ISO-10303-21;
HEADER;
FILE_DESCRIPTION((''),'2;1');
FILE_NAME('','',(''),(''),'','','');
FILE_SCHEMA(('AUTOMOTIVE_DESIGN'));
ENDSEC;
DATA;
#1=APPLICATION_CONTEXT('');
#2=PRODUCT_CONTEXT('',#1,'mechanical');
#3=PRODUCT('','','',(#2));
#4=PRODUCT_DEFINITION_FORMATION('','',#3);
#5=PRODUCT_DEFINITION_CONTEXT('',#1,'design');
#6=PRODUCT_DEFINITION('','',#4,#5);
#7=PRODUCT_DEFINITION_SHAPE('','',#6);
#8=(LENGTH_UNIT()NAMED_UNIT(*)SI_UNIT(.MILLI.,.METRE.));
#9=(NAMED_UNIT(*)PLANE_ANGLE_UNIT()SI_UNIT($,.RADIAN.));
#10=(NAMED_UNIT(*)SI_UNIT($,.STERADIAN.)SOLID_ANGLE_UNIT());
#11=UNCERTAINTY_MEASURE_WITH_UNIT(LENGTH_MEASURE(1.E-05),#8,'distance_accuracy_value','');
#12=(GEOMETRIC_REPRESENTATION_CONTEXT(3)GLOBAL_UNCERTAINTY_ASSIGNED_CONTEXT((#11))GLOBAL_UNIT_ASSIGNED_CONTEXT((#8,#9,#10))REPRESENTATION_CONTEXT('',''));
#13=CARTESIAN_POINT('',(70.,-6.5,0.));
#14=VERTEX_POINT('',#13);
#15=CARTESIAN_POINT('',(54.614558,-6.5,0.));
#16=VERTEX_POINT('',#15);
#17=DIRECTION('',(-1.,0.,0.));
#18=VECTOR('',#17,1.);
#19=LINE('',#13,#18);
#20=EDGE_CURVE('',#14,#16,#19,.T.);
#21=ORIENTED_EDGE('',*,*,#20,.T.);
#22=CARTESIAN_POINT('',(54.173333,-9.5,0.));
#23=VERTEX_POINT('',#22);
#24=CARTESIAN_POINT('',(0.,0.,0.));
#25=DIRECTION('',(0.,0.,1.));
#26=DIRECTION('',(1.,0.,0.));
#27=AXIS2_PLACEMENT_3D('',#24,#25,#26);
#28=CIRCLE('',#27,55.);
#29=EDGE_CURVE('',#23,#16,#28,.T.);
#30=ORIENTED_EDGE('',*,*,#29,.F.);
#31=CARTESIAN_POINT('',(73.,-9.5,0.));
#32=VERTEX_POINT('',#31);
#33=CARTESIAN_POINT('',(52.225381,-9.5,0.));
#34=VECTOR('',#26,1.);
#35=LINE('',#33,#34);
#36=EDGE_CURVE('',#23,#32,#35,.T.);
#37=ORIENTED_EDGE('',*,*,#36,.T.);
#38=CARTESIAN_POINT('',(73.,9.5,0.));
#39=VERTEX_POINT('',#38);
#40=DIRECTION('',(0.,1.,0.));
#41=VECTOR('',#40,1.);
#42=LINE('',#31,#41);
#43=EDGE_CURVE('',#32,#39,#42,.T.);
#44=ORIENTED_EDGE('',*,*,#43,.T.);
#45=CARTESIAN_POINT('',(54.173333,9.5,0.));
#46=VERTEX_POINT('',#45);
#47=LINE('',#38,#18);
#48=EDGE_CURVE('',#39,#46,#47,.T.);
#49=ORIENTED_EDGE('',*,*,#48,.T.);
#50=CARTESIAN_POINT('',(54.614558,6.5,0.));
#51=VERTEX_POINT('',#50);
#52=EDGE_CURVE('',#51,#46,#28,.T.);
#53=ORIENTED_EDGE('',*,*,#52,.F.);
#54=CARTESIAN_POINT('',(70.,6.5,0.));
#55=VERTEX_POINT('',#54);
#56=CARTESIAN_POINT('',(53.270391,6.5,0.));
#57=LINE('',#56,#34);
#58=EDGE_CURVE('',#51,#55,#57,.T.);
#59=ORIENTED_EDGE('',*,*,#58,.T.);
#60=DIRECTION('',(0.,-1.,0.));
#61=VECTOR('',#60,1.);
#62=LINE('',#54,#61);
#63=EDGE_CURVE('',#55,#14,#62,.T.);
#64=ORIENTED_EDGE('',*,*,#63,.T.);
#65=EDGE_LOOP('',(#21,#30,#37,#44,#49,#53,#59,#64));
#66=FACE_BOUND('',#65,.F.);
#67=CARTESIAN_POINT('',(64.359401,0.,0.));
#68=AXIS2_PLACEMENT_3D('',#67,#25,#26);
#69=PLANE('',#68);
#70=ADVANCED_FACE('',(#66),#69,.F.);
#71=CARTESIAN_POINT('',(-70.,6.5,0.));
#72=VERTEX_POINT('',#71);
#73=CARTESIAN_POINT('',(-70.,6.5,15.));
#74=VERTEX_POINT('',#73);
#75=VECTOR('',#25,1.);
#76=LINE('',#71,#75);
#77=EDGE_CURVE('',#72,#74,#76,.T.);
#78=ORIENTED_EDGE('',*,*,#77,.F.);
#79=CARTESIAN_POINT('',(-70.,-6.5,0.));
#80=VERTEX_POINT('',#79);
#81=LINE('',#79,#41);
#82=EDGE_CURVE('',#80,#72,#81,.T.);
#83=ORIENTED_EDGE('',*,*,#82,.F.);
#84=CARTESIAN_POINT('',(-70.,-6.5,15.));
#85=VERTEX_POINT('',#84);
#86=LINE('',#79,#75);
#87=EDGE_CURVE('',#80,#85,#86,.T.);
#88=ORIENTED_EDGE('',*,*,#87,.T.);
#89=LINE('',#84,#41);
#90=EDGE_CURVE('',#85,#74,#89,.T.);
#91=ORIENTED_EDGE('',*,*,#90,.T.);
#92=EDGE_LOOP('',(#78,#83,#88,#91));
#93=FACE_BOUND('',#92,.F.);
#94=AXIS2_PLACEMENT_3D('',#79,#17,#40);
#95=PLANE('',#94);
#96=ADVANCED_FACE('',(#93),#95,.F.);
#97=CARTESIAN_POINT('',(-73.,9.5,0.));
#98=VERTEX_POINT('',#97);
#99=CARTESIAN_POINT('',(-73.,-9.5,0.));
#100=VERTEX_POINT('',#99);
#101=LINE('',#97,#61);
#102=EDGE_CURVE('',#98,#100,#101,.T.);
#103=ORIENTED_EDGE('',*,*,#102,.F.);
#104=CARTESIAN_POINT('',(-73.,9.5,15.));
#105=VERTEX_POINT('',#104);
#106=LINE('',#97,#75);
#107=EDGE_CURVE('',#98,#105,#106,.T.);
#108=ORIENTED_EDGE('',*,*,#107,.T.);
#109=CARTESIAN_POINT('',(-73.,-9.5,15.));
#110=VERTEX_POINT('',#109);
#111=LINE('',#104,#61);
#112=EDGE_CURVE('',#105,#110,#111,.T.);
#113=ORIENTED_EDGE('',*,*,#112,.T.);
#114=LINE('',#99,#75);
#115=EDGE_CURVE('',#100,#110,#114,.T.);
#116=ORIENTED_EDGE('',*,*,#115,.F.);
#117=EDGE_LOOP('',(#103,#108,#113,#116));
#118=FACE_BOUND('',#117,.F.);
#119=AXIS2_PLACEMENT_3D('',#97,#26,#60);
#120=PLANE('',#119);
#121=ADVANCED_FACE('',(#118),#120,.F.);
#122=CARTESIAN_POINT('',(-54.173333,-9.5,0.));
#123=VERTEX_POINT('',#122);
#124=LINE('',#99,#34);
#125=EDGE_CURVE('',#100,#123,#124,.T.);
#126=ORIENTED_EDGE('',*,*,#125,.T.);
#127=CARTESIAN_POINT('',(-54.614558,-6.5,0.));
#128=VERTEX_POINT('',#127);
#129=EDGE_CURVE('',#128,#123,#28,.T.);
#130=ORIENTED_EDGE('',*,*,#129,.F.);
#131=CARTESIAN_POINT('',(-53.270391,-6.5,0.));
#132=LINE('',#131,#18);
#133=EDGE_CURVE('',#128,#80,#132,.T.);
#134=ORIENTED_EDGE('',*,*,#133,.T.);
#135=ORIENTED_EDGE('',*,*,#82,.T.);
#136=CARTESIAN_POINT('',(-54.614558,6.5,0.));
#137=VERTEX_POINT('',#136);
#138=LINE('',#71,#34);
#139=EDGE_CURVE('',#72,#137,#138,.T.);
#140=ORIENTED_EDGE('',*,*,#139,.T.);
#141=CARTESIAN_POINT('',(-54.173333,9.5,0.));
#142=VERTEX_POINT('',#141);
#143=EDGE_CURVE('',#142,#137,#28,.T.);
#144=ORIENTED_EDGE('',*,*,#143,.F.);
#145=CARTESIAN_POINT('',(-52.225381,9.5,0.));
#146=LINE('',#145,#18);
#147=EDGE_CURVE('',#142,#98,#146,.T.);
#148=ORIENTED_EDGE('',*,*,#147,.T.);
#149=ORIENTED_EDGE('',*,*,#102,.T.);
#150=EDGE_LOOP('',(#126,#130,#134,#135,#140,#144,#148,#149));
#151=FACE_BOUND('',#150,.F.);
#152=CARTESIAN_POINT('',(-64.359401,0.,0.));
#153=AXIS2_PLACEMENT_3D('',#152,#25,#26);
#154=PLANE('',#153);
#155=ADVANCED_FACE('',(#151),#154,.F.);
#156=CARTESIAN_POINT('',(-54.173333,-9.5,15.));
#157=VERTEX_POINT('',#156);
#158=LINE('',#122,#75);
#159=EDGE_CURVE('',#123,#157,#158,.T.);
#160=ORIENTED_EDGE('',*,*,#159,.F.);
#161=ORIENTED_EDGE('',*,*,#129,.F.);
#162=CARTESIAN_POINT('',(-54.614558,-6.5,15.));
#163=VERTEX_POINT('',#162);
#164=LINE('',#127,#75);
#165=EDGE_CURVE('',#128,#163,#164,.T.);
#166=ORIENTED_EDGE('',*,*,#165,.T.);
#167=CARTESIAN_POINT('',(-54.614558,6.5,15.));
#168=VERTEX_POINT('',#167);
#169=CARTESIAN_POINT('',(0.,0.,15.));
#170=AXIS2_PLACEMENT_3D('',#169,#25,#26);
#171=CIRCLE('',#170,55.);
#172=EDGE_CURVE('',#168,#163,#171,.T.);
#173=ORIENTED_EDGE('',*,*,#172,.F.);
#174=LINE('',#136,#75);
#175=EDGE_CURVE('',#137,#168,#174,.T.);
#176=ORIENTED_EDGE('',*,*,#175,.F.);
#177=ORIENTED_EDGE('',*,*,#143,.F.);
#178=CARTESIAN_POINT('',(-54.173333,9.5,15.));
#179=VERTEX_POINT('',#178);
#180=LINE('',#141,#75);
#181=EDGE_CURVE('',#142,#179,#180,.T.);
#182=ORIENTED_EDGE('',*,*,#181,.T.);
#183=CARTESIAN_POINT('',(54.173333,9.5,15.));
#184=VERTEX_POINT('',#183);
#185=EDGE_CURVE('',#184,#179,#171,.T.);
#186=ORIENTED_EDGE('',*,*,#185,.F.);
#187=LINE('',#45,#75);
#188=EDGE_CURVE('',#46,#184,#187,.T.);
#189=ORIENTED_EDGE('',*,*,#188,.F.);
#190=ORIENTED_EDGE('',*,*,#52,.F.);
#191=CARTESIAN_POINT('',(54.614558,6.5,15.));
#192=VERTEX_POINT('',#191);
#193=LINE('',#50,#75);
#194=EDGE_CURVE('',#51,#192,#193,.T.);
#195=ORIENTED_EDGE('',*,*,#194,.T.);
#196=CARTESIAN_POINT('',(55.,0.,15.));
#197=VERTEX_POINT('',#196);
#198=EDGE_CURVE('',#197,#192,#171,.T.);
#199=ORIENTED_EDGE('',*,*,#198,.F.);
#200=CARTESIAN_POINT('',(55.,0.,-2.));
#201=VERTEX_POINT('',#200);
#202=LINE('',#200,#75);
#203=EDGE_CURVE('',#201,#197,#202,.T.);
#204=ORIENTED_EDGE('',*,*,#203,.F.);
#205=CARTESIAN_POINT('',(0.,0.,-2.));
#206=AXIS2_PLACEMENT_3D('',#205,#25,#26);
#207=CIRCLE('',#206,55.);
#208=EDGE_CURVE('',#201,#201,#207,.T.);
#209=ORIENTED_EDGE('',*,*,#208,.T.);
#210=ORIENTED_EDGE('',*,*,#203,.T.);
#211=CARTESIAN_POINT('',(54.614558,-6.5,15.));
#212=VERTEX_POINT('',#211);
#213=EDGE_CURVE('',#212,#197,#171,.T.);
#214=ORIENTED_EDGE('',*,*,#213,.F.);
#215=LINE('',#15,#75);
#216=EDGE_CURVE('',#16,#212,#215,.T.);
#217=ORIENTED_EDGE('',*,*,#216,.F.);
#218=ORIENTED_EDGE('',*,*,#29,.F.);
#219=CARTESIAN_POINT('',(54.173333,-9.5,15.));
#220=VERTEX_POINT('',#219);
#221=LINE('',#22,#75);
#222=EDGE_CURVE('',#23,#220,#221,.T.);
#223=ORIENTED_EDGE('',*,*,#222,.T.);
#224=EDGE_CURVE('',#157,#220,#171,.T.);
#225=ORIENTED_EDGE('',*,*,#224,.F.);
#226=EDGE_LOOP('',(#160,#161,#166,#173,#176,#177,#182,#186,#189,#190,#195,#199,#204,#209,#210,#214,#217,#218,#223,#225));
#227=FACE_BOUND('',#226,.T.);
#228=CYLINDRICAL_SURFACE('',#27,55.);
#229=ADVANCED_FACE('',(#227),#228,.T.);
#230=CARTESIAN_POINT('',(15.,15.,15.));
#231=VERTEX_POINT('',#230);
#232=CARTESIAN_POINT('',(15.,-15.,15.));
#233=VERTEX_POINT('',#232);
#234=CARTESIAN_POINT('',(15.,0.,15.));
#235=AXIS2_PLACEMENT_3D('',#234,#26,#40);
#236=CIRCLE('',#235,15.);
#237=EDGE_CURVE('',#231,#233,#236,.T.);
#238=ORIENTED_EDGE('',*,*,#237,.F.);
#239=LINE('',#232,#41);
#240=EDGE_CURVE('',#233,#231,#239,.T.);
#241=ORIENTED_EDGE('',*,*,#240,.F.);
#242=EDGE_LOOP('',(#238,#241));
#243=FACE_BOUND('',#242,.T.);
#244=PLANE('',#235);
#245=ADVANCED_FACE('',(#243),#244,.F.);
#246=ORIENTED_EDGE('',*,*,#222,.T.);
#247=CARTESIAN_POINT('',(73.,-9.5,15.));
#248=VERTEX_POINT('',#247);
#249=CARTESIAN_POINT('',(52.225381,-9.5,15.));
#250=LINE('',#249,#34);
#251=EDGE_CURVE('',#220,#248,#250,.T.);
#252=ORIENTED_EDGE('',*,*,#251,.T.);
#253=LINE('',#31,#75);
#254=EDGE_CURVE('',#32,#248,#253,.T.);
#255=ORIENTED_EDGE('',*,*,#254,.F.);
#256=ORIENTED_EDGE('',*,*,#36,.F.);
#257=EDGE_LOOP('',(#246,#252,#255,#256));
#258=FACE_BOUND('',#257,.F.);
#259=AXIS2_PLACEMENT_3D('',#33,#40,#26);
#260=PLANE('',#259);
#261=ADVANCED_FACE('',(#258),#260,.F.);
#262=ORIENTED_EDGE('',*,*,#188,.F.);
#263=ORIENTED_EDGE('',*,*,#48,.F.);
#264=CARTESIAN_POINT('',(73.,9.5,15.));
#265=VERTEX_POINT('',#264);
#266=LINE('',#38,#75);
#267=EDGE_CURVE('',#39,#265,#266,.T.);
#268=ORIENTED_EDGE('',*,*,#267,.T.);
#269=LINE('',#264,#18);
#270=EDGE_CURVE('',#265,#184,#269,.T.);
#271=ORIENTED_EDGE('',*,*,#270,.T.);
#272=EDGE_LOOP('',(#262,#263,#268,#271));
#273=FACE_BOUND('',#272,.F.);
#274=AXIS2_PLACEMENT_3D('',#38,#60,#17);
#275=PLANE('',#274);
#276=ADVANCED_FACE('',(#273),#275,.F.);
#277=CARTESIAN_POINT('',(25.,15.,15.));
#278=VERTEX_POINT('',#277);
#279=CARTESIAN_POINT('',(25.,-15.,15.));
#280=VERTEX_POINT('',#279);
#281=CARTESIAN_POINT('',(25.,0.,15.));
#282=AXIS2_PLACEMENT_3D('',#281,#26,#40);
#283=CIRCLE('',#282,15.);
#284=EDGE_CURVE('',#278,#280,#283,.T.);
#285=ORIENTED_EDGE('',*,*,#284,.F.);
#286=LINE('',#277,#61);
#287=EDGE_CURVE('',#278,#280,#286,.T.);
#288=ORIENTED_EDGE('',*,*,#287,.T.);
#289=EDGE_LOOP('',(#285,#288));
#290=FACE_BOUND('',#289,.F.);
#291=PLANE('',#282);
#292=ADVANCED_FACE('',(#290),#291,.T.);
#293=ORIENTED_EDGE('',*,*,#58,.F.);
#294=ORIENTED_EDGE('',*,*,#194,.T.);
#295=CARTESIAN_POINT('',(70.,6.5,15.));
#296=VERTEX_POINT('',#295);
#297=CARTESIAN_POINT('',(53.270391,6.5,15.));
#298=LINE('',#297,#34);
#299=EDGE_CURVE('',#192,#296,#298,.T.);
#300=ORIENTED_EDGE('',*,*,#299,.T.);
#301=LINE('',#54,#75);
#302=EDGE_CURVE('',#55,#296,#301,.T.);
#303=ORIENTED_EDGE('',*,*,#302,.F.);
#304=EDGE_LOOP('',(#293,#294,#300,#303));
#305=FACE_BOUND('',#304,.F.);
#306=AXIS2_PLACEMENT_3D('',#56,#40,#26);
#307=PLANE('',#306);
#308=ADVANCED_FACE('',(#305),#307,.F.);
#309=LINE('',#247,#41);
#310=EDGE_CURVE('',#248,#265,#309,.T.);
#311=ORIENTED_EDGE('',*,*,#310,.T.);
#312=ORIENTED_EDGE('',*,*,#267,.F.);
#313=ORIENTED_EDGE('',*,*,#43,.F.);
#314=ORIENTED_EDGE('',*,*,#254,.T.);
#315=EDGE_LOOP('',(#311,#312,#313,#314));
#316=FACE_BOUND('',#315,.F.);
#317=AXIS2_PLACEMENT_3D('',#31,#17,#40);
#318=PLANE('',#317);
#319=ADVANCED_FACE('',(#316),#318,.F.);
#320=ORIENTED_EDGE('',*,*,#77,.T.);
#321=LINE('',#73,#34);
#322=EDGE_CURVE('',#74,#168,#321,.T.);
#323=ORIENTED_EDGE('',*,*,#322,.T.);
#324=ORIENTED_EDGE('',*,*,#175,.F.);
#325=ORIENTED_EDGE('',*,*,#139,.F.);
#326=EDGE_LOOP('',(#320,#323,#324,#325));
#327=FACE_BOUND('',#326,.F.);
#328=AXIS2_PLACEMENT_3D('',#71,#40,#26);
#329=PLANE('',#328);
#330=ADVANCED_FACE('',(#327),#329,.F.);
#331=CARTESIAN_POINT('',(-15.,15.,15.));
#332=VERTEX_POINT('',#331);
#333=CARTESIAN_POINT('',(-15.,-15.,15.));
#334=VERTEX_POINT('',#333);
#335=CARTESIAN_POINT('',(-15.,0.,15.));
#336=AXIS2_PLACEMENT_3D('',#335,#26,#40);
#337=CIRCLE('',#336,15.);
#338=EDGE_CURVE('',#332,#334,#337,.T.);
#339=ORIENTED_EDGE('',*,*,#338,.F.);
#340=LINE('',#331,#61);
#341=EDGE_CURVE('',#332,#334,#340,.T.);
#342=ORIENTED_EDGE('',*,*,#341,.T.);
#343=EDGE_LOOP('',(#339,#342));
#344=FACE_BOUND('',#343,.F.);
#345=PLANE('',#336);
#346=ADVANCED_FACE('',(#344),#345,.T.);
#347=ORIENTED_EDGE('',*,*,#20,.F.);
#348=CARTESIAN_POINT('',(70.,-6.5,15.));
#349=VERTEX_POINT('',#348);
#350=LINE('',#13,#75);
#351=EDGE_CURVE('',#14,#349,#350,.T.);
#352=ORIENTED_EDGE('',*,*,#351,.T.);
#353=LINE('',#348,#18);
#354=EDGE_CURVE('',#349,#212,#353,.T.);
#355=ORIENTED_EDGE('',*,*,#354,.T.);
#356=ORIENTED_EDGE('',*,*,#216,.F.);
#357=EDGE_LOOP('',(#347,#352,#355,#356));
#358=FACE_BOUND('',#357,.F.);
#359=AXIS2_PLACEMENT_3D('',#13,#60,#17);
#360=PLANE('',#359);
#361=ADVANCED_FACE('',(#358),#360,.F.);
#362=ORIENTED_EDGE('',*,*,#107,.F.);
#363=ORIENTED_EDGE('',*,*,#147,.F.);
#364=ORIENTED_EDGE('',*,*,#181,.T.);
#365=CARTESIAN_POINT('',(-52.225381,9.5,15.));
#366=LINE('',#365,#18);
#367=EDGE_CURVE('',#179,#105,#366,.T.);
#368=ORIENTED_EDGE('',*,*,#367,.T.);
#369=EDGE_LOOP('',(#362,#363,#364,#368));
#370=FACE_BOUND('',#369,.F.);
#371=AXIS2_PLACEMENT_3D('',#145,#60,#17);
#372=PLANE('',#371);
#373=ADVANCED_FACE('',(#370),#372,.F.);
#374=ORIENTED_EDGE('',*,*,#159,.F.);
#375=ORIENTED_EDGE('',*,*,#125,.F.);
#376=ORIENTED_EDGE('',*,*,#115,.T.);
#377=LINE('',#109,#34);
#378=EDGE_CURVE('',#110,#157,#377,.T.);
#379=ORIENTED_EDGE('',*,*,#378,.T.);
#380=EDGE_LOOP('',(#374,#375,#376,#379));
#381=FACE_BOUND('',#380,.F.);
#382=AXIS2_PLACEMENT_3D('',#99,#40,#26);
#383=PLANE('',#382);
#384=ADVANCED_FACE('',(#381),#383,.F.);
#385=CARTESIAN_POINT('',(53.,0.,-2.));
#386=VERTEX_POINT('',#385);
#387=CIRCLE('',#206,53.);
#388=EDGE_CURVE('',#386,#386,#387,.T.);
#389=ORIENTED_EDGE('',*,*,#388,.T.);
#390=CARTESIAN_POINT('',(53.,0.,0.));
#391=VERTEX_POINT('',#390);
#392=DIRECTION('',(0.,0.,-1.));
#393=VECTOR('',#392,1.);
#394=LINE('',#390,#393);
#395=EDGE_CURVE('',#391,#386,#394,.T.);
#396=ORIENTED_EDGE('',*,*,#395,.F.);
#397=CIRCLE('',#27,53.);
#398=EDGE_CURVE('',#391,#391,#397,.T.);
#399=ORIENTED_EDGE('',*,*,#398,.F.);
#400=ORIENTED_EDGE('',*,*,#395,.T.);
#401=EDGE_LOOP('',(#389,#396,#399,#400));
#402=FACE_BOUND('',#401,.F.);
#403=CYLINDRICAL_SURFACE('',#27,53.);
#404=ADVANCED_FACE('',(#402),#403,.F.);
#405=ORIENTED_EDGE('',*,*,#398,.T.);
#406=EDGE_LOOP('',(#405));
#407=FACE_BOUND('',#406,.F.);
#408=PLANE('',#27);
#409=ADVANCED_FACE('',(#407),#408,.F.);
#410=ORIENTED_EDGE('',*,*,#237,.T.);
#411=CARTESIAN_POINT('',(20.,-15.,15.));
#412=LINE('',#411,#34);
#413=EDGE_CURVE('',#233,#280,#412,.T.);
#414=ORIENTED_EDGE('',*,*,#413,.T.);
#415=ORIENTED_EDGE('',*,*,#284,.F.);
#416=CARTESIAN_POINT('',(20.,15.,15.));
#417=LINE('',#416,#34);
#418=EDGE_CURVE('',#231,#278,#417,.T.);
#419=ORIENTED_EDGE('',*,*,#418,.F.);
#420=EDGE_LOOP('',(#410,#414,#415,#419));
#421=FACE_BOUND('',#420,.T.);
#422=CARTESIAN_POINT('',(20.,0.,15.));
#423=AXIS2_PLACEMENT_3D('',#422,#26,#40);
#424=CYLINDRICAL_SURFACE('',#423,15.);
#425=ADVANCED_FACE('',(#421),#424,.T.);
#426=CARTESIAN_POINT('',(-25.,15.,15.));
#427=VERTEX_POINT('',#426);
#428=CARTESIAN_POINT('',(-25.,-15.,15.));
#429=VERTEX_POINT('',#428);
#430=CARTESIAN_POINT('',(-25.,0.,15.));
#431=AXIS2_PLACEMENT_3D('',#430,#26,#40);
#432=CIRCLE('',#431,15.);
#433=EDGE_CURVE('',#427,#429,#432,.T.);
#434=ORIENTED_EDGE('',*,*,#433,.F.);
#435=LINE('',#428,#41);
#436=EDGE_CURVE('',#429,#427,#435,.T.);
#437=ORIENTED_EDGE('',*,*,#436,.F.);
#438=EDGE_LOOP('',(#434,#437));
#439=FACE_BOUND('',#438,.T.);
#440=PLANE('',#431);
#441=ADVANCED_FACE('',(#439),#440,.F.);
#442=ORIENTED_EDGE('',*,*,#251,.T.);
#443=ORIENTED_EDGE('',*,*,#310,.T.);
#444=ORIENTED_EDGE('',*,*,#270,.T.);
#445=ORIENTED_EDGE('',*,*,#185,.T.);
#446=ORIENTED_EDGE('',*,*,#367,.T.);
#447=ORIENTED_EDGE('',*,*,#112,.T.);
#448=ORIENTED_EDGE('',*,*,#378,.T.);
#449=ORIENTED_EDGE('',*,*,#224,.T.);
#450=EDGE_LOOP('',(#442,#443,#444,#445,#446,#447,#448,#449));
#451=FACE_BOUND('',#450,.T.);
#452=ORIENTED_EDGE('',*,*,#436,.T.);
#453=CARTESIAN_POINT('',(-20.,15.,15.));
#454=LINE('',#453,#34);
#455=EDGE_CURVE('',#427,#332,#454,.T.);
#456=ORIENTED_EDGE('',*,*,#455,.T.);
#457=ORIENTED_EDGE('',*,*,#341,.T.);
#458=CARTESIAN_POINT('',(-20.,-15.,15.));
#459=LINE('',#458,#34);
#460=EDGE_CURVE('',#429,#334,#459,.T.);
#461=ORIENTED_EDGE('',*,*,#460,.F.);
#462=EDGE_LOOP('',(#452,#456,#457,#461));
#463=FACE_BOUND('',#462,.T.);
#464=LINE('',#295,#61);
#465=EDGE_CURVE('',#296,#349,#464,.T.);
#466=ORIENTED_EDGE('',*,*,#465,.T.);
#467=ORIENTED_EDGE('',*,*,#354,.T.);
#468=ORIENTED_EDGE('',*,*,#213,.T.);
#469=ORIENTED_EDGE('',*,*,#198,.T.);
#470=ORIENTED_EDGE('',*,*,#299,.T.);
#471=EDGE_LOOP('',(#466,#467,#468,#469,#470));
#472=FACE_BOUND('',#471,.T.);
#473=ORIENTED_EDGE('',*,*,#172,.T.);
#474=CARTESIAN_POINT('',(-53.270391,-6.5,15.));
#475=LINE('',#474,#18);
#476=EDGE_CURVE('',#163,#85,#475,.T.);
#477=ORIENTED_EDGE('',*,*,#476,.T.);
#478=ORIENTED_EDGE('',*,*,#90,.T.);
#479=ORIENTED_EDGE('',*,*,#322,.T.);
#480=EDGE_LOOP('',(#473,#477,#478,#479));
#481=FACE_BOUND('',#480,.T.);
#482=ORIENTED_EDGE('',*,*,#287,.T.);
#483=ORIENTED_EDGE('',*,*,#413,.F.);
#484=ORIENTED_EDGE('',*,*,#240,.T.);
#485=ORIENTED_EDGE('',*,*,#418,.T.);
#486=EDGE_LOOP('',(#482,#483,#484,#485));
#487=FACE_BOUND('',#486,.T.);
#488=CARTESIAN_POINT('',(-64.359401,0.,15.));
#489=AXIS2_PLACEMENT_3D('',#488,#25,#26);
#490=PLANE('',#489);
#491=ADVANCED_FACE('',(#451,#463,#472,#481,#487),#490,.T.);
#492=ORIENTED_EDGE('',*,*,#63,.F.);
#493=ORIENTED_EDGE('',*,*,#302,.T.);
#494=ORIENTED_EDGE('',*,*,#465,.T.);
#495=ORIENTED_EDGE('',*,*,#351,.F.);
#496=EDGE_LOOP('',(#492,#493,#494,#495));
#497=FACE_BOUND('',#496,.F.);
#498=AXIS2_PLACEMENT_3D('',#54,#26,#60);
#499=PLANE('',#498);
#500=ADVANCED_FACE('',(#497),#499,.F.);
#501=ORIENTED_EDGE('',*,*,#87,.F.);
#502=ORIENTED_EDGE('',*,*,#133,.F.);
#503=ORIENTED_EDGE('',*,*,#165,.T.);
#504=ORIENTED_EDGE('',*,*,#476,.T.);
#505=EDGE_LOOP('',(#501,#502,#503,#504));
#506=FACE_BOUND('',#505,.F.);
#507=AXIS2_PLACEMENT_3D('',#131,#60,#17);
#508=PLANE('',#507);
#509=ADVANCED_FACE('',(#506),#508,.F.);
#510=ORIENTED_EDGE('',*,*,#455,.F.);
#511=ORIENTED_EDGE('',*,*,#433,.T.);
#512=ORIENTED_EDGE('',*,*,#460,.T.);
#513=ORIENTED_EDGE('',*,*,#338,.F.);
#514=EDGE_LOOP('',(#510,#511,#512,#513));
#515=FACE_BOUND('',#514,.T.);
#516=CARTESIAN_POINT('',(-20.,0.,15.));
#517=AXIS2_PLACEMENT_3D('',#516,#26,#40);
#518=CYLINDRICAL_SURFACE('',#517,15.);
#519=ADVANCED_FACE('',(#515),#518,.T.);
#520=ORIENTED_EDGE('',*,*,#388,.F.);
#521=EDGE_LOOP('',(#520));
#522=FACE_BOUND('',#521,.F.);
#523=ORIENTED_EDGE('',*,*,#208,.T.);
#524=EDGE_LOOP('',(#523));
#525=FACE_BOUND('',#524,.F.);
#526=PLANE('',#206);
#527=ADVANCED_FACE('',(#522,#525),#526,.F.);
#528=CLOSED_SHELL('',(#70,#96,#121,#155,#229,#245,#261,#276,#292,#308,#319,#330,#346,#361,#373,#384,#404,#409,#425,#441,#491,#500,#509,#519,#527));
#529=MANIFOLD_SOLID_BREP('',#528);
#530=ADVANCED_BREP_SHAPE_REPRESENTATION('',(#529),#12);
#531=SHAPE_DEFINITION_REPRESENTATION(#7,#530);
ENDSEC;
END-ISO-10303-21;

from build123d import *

# Parameters (mm, degrees)
F0_R     = 55
F0_R_2   = 53
F1_DEPTH = 15
F2_R     = 55
F2_R_2   = 53
F3_DEPTH = 2
F4_W     = 10
F4_H     = 15
F5_ANGLE = 180
F7_DEPTH = 15


with BuildPart() as f1:
    # F0 (on Top) → F1 (new body)
    with BuildSketch(Plane.XY):
        Circle(F0_R)
        Circle(F0_R_2, mode=Mode.SUBTRACT)
        Circle(F0_R_2)
    extrude(amount=F1_DEPTH)

    # F2 (on Top) → F3 (join)
    with BuildSketch(Plane.XY):
        Circle(F2_R)
        Circle(F2_R_2, mode=Mode.SUBTRACT)
    extrude(amount=-F3_DEPTH)

    # F4 (on face) → F5 (revolve)
    with BuildSketch(Plane.XY.offset(15)):
        with Locations((-20, 7.5)):
            Rectangle(F4_W, F4_H)
        with Locations((20, 7.5)):
            Rectangle(F4_W, F4_H)
    revolve(axis=Axis((3.316946, 0, 15), (1, 0, 0)), revolution_arc=F5_ANGLE)

    # F6 (on Top) → F7 (join)
    with BuildSketch(Plane.XY):
        Polygon((-70, 6.5), (-53.270391, 6.5), (-52.225381, 9.5), (-73, 9.5), (-73, 0), (-73, -9.5), (-52.225381, -9.5), (-53.270391, -6.5), (-70, -6.5), (-70, 0), align=None)
        Polygon((73, 9.5), (52.225381, 9.5), (53.270391, 6.5), (70, 6.5), (70, 0), (70, -6.5), (53.270391, -6.5), (52.225381, -9.5), (73, -9.5), (73, 0), align=None)
    extrude(amount=F7_DEPTH)


solid = f1.part
